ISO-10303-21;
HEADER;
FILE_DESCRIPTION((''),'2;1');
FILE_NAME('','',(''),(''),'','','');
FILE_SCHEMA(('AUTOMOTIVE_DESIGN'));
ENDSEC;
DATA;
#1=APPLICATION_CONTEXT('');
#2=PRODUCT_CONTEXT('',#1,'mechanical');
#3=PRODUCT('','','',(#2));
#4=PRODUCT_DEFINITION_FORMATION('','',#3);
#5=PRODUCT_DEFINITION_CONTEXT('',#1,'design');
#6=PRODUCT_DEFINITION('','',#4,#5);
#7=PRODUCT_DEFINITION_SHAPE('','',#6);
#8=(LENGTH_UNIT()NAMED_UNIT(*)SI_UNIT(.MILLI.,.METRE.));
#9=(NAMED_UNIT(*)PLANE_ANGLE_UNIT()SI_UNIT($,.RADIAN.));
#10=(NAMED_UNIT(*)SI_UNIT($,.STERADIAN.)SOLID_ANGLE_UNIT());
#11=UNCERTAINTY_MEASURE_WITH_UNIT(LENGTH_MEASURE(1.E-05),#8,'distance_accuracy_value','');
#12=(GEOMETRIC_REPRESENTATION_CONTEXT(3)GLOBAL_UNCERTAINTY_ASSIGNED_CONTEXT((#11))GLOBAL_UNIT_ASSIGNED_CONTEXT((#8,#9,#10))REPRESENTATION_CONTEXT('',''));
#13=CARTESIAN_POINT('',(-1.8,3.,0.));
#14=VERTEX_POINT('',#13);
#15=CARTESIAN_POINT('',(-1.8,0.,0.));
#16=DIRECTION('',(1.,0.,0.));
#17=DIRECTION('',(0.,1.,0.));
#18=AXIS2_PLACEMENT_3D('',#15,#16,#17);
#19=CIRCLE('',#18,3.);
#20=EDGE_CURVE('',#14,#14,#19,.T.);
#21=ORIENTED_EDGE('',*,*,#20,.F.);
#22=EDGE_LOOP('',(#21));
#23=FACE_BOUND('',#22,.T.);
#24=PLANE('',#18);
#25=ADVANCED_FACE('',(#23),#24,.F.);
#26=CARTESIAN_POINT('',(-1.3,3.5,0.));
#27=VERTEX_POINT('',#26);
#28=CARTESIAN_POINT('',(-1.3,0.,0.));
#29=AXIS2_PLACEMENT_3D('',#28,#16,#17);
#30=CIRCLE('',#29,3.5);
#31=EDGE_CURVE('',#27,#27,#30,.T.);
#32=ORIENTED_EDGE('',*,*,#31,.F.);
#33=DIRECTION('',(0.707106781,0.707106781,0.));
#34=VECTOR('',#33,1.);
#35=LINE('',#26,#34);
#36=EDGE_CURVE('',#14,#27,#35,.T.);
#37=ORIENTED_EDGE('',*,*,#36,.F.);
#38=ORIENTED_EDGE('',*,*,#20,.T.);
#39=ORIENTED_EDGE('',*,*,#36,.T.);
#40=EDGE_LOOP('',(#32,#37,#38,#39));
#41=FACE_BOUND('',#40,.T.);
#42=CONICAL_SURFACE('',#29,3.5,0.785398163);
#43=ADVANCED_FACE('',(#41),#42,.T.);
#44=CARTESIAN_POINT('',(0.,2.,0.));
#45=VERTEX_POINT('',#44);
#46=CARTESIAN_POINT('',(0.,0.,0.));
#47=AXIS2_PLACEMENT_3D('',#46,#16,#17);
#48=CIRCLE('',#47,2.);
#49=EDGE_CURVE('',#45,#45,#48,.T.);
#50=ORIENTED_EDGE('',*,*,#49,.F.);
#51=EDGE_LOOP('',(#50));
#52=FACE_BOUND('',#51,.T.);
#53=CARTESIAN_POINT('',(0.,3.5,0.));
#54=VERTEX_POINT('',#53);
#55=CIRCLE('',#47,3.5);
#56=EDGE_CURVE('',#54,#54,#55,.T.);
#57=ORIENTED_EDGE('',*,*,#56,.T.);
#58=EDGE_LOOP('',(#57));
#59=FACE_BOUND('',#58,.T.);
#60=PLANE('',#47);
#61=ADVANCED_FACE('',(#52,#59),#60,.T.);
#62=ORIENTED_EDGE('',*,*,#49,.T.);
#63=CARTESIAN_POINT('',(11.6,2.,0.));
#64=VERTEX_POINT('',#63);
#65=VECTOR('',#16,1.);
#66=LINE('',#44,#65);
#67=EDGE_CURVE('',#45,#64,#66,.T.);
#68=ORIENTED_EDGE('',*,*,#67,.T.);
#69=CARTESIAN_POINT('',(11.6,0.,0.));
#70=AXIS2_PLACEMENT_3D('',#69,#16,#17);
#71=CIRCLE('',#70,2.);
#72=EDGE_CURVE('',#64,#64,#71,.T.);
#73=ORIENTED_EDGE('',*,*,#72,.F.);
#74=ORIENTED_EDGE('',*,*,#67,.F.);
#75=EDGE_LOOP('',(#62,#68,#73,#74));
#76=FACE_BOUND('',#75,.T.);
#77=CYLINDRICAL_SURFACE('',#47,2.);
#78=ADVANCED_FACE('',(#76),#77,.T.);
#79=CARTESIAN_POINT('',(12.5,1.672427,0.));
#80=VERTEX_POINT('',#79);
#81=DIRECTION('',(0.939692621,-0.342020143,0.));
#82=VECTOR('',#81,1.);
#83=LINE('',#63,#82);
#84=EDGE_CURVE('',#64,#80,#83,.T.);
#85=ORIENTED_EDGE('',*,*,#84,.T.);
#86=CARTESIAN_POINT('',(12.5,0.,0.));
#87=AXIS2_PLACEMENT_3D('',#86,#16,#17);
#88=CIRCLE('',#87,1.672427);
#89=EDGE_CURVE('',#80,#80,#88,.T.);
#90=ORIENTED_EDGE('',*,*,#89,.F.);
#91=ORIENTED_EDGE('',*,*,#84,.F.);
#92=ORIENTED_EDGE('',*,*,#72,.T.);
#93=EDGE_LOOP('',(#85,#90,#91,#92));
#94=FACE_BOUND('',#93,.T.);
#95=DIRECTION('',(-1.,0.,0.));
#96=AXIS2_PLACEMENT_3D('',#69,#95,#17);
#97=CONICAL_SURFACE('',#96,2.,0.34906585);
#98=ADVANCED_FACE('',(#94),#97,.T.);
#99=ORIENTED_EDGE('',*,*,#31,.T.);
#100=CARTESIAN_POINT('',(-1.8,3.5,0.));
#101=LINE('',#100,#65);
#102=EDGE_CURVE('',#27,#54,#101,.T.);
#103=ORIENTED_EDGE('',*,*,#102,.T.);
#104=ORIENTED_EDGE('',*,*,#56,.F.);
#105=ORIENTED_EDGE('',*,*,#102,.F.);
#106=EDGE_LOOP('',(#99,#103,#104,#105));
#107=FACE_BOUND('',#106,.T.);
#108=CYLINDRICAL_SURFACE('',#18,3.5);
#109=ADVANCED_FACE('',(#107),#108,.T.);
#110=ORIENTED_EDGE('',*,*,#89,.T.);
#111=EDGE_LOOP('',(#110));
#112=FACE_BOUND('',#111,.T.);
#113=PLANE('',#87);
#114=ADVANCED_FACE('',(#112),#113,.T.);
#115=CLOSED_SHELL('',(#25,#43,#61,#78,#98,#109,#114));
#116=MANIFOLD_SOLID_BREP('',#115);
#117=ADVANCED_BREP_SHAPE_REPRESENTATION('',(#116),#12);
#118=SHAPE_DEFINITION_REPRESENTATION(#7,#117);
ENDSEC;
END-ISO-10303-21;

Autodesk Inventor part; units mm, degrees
ref_plane "YZ Plane" through (0, 0, 0) normal (1, 0, 0) x (0, 1, 0)
ref_plane "XZ Plane" through (0, 0, 0) normal (0, 1, 0) x (-1, 0, 0)
sketch "Sketch1" plane through (0, 0, 0) normal (0, 0, 1) x (1, 0, 0)
  line L0 (-1.8, 0) -> (-1.8, 3.5)
  line L1 (-1.8, 3.5) -> (0, 3.5)
  line L2 (0, 3.5) -> (0, 2)
  line L3 (0, 2) -> (12.5, 2)
  line L4 (12.5, 2) -> (12.5, 0)
  line L5 (-1.8, 0) -> (12.5, 0)
  line L6 (-4.7305, 0) -> (15.7829, 0) projected
  line L7 (0, -1.84) -> (0, 4.39) projected
  circle A0 centre (10.25, 0) radius 0.95
  dimension "d0" = 4
  dimension "d1" = 7
  dimension "d2" = 1.8
  dimension "d3" = 12.5
  dimension "d5" = 2.25
  dimension "d6" = 1.9
revolve "Body" add sketch "Sketch1" angle 360 about axis through (-1.8, 0, 0) along (1, 0, 0) picked at (10.3623, 0.2961) contours L0 L1 L2 L7 L5 | L7 L3 L4 L5 A0 | A0 L5
extrude "Hole" [suppressed]
chamfer "Chamfer1" distance 0.5 angle 45 1 edges at (-1.8, -3.5, 0) measured on face at (-1.2, 3.4547, -0.5614)
chamfer "Chamfer2" distance 0.9 angle 20 1 edges at (12.5, -2, 0) measured on face at (4.1667, 1.9935, -0.1609)
ref_plane "Work Plane1" through (6.25, 0, 2) normal (0, 0, 1) x (1, 0, 0)
equation "\"d0\" = NND"
equation "\"d1\" = KOD"
equation "\"d2\" = KOH"
equation "\"d3\" = NLG"
equation "\"d5\" = DIST"
equation "\"d6\" = BOR"
equation "\"d7\" = NND"
equation "\"d9\" = PHH2"
equation "\"d10\" = FAWI2"
equation "\"d16\" = PHH2"
equation "\"d11\" = PHH1"
equation "\"d12\" = FAWI1"
equation "\"d17\" = PHH1"
equation "\"PHH1\" = 0.9"
equation "\"PHH2\" = 0.5"
equation "\"KOD\" = 7"
equation "\"KOH\" = 1.8"
equation "\"NND\" = 4"
equation "\"FAWI1\" = 20deg"
equation "\"FAWI2\" = 45deg"
equation "\"DIST\" = 2.25"
equation "\"BOR\" = 1.9"
equation "\"NLG\" = 12.5"
properties part number "DS51F1496-07" material "Steel, Mild"
